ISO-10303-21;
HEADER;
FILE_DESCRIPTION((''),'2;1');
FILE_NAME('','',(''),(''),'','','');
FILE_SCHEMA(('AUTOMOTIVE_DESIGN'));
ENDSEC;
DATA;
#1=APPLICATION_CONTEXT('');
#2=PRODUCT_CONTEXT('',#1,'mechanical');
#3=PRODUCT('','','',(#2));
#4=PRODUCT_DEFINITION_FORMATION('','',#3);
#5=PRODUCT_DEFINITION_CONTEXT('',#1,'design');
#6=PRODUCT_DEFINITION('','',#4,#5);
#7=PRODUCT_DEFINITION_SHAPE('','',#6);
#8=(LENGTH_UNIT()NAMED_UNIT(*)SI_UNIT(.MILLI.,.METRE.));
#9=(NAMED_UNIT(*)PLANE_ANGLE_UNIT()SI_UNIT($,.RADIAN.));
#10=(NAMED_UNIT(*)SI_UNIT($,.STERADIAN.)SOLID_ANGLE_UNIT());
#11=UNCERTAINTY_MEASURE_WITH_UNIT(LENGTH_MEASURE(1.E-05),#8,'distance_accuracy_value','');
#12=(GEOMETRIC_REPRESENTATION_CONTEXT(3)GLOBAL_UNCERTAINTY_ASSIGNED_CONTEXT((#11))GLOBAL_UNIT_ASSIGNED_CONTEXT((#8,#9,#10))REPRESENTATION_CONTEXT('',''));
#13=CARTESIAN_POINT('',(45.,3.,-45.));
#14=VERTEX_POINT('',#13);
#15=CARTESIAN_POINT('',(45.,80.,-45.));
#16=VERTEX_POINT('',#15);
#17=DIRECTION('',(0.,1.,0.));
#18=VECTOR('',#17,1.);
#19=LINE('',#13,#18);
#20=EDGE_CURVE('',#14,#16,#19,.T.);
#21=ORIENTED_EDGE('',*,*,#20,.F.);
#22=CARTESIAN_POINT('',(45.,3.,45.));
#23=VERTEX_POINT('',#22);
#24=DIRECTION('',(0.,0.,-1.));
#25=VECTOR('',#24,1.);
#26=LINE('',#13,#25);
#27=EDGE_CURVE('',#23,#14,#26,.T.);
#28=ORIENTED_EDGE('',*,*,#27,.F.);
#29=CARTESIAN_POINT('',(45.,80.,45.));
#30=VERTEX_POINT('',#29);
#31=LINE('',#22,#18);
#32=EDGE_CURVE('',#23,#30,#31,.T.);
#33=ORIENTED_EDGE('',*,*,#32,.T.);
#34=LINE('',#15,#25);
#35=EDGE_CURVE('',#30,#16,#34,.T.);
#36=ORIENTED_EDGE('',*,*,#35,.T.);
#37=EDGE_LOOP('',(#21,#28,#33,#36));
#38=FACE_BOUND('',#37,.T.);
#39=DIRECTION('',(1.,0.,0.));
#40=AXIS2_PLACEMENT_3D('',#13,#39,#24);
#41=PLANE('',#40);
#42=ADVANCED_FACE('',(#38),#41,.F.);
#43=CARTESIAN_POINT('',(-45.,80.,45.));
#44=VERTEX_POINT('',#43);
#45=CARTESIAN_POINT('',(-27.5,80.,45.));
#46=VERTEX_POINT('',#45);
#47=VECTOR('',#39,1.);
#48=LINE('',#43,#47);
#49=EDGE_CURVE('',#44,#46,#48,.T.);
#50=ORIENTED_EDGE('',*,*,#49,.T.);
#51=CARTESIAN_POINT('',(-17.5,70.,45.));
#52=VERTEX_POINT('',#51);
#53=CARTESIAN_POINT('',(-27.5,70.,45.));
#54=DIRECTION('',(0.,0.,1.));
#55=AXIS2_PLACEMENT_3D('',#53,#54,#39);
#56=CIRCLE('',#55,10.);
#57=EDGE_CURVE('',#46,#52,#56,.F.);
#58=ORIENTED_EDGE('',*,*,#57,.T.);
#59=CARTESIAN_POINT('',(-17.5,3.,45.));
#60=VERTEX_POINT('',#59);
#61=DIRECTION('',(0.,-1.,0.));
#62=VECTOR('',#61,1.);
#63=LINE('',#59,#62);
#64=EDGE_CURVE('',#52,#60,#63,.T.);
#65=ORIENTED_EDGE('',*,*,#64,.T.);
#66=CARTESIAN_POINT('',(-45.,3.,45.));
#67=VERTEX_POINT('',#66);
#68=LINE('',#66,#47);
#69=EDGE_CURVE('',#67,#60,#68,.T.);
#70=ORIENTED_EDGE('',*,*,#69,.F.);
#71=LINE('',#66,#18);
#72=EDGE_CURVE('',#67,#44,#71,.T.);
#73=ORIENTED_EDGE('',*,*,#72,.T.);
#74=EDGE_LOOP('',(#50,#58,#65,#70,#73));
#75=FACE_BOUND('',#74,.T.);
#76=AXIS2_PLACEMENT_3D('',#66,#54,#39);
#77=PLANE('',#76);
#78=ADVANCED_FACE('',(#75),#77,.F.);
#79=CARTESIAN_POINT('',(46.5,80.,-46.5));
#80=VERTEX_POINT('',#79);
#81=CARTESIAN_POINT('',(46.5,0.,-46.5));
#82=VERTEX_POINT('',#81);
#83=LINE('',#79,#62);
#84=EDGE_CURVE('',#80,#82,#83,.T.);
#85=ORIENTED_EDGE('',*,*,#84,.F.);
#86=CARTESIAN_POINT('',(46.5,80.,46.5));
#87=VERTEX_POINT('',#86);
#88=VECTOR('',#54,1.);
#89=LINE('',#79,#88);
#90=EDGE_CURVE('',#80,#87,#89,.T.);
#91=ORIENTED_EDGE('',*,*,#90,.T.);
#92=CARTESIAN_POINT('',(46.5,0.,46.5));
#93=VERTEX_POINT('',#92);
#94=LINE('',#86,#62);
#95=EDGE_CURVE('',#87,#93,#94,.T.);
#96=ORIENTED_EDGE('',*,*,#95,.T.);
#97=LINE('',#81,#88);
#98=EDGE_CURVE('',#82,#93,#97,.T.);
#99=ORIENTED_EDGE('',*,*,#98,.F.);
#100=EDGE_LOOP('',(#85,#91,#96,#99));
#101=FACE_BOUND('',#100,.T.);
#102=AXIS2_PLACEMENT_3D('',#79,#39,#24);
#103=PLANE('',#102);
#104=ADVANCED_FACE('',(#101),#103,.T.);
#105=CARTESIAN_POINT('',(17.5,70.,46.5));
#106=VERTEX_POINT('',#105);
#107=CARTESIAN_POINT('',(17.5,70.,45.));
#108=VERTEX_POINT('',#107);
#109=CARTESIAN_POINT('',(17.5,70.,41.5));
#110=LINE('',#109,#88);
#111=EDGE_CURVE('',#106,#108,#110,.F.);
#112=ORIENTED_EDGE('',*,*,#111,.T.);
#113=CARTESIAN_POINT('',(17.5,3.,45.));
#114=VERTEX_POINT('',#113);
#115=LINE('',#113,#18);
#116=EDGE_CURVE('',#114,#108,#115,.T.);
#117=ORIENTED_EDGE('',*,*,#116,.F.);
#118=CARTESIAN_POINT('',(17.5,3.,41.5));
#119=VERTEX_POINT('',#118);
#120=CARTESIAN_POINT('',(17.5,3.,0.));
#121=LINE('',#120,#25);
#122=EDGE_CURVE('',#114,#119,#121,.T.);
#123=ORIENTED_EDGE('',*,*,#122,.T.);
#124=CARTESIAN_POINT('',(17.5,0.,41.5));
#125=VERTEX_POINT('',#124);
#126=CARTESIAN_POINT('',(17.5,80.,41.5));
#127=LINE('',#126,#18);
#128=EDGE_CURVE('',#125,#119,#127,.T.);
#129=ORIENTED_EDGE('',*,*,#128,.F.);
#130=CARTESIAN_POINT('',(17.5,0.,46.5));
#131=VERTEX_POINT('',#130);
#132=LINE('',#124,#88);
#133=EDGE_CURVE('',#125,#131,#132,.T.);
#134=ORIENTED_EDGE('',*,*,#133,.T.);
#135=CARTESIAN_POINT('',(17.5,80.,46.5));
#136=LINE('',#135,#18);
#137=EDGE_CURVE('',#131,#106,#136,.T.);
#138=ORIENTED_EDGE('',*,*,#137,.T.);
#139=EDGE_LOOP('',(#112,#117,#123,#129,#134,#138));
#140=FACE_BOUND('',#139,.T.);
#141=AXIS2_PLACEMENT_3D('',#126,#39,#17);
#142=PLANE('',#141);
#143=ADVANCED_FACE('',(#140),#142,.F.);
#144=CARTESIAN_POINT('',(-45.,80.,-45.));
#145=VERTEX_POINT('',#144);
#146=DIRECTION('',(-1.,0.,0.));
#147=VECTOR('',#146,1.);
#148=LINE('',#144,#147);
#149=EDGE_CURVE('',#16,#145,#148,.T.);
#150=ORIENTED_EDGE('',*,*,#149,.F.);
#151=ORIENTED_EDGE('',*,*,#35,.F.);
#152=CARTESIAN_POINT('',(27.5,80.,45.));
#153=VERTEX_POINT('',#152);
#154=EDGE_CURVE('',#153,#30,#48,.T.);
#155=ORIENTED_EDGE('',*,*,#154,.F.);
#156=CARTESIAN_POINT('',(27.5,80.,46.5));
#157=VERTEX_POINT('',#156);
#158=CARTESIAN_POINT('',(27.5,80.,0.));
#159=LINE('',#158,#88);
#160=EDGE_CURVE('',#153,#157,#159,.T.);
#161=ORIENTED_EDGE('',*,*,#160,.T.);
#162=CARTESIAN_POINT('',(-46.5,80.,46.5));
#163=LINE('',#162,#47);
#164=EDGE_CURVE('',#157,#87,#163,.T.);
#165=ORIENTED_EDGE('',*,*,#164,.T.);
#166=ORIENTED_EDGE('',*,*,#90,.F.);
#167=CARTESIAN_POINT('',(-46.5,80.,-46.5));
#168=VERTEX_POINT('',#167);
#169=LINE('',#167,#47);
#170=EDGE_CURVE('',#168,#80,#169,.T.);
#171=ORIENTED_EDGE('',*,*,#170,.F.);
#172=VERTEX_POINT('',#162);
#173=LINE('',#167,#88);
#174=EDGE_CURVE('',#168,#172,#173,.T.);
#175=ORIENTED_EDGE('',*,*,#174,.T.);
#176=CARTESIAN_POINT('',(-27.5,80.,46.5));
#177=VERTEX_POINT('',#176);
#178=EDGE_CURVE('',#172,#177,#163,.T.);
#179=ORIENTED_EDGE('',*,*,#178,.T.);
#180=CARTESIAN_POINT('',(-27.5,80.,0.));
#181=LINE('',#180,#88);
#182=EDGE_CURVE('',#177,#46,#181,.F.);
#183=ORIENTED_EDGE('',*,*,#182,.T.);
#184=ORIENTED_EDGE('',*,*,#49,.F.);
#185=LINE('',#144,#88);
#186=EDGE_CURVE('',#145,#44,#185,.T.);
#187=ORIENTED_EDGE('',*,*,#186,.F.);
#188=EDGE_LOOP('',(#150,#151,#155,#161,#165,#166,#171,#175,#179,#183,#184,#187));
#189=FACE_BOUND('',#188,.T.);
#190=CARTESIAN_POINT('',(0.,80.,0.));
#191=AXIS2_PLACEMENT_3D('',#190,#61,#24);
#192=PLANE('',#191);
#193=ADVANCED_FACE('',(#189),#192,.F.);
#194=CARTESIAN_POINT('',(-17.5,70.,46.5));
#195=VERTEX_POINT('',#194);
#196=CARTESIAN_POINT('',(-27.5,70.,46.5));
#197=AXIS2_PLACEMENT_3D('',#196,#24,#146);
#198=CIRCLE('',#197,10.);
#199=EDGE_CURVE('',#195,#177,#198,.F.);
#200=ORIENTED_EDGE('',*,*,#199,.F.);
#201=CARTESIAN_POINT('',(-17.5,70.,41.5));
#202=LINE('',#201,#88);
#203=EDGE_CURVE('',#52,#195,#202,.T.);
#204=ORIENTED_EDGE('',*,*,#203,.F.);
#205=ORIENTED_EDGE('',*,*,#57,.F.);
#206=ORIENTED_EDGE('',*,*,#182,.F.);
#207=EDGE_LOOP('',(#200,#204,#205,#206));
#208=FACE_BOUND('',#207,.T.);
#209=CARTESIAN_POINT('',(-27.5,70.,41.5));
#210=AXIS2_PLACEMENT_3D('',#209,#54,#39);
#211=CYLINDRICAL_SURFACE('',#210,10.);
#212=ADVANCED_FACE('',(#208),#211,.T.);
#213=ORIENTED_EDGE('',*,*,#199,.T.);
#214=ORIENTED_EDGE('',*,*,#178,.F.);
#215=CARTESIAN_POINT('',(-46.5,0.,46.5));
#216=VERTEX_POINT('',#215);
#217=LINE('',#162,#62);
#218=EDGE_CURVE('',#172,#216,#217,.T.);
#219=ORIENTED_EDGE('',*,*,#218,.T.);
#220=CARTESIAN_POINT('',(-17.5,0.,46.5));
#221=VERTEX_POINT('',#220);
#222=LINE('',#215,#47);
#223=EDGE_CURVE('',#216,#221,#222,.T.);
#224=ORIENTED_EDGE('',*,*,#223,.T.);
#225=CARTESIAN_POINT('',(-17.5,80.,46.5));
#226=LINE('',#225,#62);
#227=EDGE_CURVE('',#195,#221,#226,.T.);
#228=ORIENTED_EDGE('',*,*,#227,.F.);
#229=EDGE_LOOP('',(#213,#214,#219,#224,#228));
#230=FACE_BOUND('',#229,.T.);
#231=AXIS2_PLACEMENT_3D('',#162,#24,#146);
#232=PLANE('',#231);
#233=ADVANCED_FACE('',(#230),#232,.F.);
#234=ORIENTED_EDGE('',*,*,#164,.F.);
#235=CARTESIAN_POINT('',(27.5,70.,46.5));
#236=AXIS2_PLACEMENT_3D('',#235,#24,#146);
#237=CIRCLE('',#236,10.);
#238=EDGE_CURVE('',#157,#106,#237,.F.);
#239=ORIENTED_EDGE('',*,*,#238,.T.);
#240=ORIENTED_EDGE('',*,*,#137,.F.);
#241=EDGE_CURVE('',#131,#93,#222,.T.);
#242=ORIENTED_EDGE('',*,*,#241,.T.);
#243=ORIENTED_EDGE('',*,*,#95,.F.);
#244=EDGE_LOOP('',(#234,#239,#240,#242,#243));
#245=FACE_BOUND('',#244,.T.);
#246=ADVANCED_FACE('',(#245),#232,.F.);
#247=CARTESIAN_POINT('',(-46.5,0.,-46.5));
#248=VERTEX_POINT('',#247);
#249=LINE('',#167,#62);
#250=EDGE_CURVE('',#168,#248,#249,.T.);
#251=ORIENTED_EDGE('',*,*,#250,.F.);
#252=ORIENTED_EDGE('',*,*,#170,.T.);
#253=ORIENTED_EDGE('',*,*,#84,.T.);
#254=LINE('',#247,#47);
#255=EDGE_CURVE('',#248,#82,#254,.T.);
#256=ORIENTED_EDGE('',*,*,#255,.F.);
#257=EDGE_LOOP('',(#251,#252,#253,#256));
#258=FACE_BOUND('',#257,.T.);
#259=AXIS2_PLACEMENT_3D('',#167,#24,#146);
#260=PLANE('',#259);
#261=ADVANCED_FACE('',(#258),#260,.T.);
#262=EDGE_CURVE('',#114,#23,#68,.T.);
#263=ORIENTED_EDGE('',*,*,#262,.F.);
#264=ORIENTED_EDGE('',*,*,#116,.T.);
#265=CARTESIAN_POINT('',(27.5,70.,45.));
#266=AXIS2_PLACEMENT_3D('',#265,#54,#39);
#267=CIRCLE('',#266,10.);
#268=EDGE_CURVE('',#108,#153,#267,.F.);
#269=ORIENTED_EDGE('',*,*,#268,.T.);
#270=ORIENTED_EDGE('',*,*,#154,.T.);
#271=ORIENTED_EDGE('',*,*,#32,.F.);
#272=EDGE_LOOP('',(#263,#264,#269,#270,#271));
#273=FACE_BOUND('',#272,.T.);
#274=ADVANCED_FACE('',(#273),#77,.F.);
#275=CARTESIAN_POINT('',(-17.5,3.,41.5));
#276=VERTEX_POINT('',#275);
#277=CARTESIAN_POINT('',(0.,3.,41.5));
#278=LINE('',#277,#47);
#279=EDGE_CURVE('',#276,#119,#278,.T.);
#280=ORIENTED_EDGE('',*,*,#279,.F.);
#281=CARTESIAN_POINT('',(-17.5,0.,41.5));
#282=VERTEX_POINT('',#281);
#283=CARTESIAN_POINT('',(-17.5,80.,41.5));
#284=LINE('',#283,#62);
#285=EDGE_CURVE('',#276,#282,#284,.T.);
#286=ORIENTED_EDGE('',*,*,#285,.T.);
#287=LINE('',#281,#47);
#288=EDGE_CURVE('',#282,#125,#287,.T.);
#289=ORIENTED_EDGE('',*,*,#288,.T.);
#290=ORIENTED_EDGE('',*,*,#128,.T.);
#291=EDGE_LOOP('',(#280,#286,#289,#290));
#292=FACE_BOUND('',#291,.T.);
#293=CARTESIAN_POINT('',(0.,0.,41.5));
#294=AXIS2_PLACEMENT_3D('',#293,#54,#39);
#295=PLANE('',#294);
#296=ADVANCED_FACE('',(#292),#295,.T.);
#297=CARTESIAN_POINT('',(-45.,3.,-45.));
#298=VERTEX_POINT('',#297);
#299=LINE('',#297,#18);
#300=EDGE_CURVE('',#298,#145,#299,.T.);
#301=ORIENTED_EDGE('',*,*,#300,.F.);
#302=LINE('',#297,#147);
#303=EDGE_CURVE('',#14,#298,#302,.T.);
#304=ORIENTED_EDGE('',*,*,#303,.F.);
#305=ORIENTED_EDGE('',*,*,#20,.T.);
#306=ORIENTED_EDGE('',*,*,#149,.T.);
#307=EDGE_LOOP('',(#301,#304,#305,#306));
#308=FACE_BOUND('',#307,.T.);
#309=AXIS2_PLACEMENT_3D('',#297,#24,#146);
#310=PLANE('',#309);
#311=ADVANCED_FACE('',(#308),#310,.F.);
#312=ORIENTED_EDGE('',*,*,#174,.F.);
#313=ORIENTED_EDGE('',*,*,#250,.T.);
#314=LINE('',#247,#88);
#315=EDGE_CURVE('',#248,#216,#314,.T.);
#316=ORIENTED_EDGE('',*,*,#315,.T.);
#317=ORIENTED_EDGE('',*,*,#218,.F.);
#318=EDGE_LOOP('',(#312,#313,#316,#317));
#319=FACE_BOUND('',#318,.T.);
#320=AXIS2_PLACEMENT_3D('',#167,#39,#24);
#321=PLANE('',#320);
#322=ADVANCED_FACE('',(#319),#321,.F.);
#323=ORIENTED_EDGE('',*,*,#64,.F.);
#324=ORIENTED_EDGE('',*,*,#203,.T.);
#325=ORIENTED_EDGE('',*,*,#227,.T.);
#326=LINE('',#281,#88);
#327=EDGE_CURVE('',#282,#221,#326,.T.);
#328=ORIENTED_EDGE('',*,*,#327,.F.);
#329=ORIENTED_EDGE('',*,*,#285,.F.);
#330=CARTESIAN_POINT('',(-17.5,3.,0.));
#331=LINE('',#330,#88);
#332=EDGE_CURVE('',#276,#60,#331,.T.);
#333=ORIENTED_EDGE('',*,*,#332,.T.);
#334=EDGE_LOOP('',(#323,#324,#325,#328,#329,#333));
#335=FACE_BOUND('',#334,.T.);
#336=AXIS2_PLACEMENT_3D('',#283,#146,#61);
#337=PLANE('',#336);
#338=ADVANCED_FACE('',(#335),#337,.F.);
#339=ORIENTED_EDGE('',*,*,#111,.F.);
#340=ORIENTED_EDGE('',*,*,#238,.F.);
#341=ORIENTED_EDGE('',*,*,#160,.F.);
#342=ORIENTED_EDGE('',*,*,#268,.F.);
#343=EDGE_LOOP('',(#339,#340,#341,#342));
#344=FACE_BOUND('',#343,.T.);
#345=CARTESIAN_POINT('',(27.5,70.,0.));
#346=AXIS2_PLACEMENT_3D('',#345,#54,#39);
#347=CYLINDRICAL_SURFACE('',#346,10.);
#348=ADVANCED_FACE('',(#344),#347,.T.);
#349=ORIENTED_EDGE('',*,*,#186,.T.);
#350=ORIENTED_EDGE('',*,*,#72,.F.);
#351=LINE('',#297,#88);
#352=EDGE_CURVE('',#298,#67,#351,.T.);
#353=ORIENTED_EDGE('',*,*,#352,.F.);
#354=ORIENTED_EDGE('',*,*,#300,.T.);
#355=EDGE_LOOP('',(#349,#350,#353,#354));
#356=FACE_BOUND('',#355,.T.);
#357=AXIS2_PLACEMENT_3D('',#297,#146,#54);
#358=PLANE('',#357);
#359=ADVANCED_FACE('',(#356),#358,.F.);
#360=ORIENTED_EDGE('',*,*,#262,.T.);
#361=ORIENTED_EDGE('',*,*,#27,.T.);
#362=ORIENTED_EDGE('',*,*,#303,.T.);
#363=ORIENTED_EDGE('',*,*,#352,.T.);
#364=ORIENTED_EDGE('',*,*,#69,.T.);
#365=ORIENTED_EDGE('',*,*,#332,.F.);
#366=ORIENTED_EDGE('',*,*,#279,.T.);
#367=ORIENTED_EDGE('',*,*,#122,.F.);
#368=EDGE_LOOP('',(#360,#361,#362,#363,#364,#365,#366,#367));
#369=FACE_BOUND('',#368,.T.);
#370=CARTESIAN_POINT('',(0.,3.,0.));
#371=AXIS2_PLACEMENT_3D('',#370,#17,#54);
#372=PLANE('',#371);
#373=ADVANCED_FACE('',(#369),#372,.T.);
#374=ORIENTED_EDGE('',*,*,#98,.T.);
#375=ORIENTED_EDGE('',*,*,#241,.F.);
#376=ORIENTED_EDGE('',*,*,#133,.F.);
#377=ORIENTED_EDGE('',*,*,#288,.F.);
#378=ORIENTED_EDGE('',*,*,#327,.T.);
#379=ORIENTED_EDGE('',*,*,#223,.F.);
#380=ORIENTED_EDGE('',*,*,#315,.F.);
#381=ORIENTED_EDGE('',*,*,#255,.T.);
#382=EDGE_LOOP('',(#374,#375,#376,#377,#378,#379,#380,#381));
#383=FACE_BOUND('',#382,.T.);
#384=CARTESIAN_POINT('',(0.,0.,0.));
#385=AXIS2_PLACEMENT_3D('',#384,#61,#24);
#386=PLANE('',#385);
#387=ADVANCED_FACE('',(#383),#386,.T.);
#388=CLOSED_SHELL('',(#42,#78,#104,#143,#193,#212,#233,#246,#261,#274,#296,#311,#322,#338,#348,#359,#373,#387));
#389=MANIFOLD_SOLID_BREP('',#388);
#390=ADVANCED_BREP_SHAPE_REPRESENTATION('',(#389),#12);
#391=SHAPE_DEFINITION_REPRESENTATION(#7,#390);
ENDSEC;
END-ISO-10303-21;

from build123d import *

# Parameters (mm, degrees)
SKETCH1_W           = 93
SKETCH1_H           = 93
BOSS_EXTRUDE1_DEPTH = 80
SKETCH3_W           = 90
SKETCH3_H           = 90
CUT_EXTRUDE1_DEPTH  = 77
SKETCH4_W           = 35
SKETCH4_H           = 80
CUT_EXTRUDE2_DEPTH  = 5
FILLET1_R           = 10


with BuildPart() as part:
    # Sketch1 → Boss-Extrude1 (new body)
    with BuildSketch(Plane(origin=(0, 0, 0), x_dir=(1, 0, 0), z_dir=(0, 1, 0))):
        Rectangle(SKETCH1_W, SKETCH1_H)
    extrude(amount=BOSS_EXTRUDE1_DEPTH)

    # Sketch3 → Cut-Extrude1 (cut)
    with BuildSketch(Plane(origin=(0, 80, 0), x_dir=(1, 0, 0), z_dir=(0, 1, 0))):
        Rectangle(SKETCH3_W, SKETCH3_H)
    extrude(amount=-CUT_EXTRUDE1_DEPTH, mode=Mode.SUBTRACT)

    # Sketch4 → Cut-Extrude2 (cut)
    with BuildSketch(Plane.XY.offset(46.5)):
        with Locations((0, 40)):
            Rectangle(SKETCH4_W, SKETCH4_H)
    extrude(amount=-CUT_EXTRUDE2_DEPTH, mode=Mode.SUBTRACT)

    # Fillet1
    fillet1_edges = [part.edges().sort_by_distance(p)[0] for p in [
        (-17.5, 80, 45.75),
        (17.5, 80, 45.75),
    ]]
    fillet(fillet1_edges, radius=FILLET1_R)


solid = part.part
